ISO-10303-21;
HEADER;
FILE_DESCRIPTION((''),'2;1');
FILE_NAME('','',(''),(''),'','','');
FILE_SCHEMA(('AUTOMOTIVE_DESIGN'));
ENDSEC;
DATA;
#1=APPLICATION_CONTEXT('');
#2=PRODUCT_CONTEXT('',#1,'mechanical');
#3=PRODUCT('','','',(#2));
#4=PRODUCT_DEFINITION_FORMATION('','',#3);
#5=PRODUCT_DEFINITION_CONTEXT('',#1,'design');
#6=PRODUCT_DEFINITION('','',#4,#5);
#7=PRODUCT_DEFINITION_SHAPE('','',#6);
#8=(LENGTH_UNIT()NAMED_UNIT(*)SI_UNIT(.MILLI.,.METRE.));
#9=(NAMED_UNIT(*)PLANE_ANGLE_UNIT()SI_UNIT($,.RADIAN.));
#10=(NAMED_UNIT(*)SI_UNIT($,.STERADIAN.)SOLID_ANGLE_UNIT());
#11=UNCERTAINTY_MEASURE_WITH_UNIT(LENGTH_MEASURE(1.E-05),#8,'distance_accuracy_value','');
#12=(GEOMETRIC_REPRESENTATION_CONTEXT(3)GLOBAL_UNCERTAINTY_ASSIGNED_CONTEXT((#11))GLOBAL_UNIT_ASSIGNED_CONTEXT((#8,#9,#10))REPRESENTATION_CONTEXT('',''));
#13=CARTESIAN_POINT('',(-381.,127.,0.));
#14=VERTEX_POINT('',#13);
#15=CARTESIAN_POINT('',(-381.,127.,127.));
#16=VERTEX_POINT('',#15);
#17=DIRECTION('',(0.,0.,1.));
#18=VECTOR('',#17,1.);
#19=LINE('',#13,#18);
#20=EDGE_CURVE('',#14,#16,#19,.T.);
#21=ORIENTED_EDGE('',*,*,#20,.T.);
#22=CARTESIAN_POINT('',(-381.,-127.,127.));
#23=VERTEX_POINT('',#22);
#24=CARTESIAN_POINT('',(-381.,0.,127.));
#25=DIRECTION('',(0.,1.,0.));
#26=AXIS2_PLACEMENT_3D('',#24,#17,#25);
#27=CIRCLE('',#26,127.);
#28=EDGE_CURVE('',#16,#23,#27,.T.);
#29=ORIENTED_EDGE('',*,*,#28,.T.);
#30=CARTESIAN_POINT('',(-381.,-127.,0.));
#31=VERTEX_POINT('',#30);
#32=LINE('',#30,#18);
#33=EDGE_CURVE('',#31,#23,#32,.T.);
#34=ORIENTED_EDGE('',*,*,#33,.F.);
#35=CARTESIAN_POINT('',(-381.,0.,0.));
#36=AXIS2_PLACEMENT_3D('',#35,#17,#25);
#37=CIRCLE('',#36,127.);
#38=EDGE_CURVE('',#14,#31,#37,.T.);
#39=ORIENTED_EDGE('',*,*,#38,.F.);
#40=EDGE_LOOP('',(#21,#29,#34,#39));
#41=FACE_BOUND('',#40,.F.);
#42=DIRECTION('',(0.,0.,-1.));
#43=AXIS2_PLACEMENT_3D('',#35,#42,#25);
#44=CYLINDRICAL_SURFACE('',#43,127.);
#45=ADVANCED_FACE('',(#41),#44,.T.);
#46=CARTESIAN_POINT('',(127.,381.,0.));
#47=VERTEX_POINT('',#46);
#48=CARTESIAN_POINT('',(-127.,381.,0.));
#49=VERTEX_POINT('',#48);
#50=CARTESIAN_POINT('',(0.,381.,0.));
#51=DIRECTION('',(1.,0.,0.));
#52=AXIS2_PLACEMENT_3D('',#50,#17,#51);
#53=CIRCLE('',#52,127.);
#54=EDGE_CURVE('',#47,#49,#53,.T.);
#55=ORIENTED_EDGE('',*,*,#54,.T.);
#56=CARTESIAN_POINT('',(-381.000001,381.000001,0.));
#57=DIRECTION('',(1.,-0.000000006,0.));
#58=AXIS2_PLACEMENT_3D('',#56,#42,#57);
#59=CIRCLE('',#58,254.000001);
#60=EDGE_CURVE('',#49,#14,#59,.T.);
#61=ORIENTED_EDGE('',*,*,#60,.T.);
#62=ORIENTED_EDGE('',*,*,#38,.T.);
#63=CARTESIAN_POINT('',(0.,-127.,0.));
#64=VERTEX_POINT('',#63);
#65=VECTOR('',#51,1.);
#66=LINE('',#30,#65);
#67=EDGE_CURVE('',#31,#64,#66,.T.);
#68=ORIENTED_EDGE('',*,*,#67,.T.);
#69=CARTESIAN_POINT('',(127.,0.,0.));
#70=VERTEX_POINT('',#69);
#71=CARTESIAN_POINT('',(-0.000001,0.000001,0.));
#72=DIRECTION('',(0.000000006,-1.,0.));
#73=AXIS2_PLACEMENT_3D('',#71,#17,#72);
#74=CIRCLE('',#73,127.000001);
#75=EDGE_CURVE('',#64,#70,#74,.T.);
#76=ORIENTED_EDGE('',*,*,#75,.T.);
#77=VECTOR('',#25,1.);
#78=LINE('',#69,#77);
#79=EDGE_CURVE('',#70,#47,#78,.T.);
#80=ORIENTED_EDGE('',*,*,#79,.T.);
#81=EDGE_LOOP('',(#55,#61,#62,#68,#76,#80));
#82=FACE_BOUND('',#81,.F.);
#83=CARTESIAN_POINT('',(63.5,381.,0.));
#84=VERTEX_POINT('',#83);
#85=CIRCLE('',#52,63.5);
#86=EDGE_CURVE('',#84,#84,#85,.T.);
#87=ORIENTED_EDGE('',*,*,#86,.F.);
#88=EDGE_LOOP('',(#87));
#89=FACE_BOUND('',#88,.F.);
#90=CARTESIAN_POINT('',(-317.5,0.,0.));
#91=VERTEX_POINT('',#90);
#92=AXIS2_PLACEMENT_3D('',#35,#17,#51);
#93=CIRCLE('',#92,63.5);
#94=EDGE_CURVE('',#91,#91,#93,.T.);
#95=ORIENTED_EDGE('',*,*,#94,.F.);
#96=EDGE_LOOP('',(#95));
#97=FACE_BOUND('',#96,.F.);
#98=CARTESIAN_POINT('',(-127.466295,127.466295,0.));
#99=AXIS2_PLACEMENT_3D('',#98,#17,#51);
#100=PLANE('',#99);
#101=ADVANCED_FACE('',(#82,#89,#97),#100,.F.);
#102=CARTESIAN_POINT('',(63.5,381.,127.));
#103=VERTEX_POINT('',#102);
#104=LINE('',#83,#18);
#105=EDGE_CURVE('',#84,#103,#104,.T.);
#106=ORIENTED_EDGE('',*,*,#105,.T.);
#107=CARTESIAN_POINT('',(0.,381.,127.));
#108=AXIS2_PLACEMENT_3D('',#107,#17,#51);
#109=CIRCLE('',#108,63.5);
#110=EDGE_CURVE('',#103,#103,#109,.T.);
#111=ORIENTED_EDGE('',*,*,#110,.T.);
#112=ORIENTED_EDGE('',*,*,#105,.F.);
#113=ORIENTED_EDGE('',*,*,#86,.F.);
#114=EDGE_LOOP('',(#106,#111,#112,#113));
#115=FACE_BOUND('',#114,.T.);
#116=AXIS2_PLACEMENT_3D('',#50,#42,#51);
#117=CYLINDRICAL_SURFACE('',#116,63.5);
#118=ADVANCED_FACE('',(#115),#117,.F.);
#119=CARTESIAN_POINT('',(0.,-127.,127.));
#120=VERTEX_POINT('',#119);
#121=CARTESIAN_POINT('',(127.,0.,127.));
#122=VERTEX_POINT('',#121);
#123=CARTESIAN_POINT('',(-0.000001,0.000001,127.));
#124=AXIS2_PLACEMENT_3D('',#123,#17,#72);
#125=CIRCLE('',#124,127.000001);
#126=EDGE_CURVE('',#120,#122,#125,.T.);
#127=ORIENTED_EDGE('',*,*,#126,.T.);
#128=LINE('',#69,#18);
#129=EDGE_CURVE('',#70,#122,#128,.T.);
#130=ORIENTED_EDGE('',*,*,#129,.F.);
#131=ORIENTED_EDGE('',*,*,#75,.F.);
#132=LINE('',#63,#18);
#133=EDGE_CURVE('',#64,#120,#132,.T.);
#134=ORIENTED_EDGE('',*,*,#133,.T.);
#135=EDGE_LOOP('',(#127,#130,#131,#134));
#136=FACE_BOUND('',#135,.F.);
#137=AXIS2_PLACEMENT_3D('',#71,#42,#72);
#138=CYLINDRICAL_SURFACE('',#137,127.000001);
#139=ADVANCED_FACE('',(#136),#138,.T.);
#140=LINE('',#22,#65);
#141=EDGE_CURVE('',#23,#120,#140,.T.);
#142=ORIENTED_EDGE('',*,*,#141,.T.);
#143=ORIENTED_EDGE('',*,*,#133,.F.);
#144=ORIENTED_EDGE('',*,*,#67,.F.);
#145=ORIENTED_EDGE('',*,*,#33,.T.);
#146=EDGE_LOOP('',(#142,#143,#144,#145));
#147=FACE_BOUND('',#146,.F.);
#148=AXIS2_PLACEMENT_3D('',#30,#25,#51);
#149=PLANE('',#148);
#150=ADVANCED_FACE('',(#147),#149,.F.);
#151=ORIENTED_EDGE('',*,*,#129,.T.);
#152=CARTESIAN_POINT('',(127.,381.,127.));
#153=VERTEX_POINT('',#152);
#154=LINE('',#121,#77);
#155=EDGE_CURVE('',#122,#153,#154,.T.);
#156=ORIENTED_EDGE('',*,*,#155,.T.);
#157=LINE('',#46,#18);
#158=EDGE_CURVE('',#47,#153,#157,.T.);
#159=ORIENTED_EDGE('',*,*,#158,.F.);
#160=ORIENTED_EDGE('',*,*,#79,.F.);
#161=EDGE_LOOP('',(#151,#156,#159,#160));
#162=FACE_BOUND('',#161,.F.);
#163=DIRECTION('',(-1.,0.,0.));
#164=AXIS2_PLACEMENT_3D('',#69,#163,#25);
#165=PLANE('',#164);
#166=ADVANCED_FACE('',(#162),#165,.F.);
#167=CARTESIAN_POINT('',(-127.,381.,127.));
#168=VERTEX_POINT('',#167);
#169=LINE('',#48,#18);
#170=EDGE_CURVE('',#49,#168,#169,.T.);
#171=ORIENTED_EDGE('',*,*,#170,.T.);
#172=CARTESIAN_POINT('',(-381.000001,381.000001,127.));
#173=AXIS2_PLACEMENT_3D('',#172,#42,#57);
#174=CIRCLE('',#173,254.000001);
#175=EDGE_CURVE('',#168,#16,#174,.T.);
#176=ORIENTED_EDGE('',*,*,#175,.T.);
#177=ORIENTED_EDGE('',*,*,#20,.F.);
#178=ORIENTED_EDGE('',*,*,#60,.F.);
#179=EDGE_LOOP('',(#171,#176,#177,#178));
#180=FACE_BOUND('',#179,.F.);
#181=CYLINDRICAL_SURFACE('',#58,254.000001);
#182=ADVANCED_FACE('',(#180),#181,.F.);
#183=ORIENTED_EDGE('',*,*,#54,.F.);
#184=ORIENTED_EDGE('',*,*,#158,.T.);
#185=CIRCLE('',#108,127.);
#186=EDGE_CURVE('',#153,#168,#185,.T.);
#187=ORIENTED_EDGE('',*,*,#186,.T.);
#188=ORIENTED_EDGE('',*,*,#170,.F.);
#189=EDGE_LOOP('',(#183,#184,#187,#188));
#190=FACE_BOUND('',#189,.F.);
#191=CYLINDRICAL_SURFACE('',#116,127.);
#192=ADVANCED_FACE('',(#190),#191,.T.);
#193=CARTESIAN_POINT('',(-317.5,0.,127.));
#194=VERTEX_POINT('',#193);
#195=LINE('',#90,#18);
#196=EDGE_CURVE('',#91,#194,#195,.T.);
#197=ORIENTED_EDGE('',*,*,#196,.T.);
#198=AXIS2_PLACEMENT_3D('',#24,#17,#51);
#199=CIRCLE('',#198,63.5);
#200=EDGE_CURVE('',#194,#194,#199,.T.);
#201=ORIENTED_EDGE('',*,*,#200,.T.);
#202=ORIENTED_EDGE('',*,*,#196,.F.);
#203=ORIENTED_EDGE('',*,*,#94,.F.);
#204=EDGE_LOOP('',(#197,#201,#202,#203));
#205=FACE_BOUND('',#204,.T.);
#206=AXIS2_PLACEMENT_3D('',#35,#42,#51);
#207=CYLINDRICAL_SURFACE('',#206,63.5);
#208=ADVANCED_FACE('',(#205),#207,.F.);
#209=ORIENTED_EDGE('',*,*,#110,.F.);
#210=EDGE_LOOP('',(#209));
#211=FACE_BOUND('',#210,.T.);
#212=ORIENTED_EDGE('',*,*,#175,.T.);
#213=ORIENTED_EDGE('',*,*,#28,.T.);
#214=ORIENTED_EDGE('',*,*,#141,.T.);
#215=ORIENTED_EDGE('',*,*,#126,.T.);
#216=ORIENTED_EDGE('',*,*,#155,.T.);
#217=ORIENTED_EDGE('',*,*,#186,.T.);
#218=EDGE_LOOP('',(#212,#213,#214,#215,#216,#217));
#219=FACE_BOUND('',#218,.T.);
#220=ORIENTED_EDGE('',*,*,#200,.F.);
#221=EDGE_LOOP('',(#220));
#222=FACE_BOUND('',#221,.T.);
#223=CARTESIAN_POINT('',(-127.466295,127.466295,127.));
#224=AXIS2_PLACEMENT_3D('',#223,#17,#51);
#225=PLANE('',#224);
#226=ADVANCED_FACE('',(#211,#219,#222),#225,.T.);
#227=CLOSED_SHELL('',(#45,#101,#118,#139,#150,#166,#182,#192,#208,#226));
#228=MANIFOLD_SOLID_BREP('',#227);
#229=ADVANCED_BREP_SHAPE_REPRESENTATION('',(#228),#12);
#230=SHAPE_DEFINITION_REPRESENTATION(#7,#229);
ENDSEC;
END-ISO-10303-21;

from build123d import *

# Parameters (mm, degrees)
F0_R     = 63.5
F1_DEPTH = 127


with BuildPart() as f1:
    # F0 (on Top) → F1 (new body)
    with BuildSketch(Plane.XY):
        with BuildLine():
            Line((127, 0), (127, 381))
            ThreePointArc((127, 381), (0, 508), (-127, 381))
            ThreePointArc((-127, 381), (-201.394878, 201.394878), (-381, 127))
            ThreePointArc((-381, 127), (-508, 0), (-381, -127))
            Line((-381, -127), (0, -127))
            ThreePointArc((0, -127), (89.802561, -89.802561), (127, 0))
        make_face()
        with Locations((-381, 0)):
            Circle(F0_R, mode=Mode.SUBTRACT)
        with Locations((0, 381)):
            Circle(F0_R, mode=Mode.SUBTRACT)
    extrude(amount=F1_DEPTH)


solid = f1.part
